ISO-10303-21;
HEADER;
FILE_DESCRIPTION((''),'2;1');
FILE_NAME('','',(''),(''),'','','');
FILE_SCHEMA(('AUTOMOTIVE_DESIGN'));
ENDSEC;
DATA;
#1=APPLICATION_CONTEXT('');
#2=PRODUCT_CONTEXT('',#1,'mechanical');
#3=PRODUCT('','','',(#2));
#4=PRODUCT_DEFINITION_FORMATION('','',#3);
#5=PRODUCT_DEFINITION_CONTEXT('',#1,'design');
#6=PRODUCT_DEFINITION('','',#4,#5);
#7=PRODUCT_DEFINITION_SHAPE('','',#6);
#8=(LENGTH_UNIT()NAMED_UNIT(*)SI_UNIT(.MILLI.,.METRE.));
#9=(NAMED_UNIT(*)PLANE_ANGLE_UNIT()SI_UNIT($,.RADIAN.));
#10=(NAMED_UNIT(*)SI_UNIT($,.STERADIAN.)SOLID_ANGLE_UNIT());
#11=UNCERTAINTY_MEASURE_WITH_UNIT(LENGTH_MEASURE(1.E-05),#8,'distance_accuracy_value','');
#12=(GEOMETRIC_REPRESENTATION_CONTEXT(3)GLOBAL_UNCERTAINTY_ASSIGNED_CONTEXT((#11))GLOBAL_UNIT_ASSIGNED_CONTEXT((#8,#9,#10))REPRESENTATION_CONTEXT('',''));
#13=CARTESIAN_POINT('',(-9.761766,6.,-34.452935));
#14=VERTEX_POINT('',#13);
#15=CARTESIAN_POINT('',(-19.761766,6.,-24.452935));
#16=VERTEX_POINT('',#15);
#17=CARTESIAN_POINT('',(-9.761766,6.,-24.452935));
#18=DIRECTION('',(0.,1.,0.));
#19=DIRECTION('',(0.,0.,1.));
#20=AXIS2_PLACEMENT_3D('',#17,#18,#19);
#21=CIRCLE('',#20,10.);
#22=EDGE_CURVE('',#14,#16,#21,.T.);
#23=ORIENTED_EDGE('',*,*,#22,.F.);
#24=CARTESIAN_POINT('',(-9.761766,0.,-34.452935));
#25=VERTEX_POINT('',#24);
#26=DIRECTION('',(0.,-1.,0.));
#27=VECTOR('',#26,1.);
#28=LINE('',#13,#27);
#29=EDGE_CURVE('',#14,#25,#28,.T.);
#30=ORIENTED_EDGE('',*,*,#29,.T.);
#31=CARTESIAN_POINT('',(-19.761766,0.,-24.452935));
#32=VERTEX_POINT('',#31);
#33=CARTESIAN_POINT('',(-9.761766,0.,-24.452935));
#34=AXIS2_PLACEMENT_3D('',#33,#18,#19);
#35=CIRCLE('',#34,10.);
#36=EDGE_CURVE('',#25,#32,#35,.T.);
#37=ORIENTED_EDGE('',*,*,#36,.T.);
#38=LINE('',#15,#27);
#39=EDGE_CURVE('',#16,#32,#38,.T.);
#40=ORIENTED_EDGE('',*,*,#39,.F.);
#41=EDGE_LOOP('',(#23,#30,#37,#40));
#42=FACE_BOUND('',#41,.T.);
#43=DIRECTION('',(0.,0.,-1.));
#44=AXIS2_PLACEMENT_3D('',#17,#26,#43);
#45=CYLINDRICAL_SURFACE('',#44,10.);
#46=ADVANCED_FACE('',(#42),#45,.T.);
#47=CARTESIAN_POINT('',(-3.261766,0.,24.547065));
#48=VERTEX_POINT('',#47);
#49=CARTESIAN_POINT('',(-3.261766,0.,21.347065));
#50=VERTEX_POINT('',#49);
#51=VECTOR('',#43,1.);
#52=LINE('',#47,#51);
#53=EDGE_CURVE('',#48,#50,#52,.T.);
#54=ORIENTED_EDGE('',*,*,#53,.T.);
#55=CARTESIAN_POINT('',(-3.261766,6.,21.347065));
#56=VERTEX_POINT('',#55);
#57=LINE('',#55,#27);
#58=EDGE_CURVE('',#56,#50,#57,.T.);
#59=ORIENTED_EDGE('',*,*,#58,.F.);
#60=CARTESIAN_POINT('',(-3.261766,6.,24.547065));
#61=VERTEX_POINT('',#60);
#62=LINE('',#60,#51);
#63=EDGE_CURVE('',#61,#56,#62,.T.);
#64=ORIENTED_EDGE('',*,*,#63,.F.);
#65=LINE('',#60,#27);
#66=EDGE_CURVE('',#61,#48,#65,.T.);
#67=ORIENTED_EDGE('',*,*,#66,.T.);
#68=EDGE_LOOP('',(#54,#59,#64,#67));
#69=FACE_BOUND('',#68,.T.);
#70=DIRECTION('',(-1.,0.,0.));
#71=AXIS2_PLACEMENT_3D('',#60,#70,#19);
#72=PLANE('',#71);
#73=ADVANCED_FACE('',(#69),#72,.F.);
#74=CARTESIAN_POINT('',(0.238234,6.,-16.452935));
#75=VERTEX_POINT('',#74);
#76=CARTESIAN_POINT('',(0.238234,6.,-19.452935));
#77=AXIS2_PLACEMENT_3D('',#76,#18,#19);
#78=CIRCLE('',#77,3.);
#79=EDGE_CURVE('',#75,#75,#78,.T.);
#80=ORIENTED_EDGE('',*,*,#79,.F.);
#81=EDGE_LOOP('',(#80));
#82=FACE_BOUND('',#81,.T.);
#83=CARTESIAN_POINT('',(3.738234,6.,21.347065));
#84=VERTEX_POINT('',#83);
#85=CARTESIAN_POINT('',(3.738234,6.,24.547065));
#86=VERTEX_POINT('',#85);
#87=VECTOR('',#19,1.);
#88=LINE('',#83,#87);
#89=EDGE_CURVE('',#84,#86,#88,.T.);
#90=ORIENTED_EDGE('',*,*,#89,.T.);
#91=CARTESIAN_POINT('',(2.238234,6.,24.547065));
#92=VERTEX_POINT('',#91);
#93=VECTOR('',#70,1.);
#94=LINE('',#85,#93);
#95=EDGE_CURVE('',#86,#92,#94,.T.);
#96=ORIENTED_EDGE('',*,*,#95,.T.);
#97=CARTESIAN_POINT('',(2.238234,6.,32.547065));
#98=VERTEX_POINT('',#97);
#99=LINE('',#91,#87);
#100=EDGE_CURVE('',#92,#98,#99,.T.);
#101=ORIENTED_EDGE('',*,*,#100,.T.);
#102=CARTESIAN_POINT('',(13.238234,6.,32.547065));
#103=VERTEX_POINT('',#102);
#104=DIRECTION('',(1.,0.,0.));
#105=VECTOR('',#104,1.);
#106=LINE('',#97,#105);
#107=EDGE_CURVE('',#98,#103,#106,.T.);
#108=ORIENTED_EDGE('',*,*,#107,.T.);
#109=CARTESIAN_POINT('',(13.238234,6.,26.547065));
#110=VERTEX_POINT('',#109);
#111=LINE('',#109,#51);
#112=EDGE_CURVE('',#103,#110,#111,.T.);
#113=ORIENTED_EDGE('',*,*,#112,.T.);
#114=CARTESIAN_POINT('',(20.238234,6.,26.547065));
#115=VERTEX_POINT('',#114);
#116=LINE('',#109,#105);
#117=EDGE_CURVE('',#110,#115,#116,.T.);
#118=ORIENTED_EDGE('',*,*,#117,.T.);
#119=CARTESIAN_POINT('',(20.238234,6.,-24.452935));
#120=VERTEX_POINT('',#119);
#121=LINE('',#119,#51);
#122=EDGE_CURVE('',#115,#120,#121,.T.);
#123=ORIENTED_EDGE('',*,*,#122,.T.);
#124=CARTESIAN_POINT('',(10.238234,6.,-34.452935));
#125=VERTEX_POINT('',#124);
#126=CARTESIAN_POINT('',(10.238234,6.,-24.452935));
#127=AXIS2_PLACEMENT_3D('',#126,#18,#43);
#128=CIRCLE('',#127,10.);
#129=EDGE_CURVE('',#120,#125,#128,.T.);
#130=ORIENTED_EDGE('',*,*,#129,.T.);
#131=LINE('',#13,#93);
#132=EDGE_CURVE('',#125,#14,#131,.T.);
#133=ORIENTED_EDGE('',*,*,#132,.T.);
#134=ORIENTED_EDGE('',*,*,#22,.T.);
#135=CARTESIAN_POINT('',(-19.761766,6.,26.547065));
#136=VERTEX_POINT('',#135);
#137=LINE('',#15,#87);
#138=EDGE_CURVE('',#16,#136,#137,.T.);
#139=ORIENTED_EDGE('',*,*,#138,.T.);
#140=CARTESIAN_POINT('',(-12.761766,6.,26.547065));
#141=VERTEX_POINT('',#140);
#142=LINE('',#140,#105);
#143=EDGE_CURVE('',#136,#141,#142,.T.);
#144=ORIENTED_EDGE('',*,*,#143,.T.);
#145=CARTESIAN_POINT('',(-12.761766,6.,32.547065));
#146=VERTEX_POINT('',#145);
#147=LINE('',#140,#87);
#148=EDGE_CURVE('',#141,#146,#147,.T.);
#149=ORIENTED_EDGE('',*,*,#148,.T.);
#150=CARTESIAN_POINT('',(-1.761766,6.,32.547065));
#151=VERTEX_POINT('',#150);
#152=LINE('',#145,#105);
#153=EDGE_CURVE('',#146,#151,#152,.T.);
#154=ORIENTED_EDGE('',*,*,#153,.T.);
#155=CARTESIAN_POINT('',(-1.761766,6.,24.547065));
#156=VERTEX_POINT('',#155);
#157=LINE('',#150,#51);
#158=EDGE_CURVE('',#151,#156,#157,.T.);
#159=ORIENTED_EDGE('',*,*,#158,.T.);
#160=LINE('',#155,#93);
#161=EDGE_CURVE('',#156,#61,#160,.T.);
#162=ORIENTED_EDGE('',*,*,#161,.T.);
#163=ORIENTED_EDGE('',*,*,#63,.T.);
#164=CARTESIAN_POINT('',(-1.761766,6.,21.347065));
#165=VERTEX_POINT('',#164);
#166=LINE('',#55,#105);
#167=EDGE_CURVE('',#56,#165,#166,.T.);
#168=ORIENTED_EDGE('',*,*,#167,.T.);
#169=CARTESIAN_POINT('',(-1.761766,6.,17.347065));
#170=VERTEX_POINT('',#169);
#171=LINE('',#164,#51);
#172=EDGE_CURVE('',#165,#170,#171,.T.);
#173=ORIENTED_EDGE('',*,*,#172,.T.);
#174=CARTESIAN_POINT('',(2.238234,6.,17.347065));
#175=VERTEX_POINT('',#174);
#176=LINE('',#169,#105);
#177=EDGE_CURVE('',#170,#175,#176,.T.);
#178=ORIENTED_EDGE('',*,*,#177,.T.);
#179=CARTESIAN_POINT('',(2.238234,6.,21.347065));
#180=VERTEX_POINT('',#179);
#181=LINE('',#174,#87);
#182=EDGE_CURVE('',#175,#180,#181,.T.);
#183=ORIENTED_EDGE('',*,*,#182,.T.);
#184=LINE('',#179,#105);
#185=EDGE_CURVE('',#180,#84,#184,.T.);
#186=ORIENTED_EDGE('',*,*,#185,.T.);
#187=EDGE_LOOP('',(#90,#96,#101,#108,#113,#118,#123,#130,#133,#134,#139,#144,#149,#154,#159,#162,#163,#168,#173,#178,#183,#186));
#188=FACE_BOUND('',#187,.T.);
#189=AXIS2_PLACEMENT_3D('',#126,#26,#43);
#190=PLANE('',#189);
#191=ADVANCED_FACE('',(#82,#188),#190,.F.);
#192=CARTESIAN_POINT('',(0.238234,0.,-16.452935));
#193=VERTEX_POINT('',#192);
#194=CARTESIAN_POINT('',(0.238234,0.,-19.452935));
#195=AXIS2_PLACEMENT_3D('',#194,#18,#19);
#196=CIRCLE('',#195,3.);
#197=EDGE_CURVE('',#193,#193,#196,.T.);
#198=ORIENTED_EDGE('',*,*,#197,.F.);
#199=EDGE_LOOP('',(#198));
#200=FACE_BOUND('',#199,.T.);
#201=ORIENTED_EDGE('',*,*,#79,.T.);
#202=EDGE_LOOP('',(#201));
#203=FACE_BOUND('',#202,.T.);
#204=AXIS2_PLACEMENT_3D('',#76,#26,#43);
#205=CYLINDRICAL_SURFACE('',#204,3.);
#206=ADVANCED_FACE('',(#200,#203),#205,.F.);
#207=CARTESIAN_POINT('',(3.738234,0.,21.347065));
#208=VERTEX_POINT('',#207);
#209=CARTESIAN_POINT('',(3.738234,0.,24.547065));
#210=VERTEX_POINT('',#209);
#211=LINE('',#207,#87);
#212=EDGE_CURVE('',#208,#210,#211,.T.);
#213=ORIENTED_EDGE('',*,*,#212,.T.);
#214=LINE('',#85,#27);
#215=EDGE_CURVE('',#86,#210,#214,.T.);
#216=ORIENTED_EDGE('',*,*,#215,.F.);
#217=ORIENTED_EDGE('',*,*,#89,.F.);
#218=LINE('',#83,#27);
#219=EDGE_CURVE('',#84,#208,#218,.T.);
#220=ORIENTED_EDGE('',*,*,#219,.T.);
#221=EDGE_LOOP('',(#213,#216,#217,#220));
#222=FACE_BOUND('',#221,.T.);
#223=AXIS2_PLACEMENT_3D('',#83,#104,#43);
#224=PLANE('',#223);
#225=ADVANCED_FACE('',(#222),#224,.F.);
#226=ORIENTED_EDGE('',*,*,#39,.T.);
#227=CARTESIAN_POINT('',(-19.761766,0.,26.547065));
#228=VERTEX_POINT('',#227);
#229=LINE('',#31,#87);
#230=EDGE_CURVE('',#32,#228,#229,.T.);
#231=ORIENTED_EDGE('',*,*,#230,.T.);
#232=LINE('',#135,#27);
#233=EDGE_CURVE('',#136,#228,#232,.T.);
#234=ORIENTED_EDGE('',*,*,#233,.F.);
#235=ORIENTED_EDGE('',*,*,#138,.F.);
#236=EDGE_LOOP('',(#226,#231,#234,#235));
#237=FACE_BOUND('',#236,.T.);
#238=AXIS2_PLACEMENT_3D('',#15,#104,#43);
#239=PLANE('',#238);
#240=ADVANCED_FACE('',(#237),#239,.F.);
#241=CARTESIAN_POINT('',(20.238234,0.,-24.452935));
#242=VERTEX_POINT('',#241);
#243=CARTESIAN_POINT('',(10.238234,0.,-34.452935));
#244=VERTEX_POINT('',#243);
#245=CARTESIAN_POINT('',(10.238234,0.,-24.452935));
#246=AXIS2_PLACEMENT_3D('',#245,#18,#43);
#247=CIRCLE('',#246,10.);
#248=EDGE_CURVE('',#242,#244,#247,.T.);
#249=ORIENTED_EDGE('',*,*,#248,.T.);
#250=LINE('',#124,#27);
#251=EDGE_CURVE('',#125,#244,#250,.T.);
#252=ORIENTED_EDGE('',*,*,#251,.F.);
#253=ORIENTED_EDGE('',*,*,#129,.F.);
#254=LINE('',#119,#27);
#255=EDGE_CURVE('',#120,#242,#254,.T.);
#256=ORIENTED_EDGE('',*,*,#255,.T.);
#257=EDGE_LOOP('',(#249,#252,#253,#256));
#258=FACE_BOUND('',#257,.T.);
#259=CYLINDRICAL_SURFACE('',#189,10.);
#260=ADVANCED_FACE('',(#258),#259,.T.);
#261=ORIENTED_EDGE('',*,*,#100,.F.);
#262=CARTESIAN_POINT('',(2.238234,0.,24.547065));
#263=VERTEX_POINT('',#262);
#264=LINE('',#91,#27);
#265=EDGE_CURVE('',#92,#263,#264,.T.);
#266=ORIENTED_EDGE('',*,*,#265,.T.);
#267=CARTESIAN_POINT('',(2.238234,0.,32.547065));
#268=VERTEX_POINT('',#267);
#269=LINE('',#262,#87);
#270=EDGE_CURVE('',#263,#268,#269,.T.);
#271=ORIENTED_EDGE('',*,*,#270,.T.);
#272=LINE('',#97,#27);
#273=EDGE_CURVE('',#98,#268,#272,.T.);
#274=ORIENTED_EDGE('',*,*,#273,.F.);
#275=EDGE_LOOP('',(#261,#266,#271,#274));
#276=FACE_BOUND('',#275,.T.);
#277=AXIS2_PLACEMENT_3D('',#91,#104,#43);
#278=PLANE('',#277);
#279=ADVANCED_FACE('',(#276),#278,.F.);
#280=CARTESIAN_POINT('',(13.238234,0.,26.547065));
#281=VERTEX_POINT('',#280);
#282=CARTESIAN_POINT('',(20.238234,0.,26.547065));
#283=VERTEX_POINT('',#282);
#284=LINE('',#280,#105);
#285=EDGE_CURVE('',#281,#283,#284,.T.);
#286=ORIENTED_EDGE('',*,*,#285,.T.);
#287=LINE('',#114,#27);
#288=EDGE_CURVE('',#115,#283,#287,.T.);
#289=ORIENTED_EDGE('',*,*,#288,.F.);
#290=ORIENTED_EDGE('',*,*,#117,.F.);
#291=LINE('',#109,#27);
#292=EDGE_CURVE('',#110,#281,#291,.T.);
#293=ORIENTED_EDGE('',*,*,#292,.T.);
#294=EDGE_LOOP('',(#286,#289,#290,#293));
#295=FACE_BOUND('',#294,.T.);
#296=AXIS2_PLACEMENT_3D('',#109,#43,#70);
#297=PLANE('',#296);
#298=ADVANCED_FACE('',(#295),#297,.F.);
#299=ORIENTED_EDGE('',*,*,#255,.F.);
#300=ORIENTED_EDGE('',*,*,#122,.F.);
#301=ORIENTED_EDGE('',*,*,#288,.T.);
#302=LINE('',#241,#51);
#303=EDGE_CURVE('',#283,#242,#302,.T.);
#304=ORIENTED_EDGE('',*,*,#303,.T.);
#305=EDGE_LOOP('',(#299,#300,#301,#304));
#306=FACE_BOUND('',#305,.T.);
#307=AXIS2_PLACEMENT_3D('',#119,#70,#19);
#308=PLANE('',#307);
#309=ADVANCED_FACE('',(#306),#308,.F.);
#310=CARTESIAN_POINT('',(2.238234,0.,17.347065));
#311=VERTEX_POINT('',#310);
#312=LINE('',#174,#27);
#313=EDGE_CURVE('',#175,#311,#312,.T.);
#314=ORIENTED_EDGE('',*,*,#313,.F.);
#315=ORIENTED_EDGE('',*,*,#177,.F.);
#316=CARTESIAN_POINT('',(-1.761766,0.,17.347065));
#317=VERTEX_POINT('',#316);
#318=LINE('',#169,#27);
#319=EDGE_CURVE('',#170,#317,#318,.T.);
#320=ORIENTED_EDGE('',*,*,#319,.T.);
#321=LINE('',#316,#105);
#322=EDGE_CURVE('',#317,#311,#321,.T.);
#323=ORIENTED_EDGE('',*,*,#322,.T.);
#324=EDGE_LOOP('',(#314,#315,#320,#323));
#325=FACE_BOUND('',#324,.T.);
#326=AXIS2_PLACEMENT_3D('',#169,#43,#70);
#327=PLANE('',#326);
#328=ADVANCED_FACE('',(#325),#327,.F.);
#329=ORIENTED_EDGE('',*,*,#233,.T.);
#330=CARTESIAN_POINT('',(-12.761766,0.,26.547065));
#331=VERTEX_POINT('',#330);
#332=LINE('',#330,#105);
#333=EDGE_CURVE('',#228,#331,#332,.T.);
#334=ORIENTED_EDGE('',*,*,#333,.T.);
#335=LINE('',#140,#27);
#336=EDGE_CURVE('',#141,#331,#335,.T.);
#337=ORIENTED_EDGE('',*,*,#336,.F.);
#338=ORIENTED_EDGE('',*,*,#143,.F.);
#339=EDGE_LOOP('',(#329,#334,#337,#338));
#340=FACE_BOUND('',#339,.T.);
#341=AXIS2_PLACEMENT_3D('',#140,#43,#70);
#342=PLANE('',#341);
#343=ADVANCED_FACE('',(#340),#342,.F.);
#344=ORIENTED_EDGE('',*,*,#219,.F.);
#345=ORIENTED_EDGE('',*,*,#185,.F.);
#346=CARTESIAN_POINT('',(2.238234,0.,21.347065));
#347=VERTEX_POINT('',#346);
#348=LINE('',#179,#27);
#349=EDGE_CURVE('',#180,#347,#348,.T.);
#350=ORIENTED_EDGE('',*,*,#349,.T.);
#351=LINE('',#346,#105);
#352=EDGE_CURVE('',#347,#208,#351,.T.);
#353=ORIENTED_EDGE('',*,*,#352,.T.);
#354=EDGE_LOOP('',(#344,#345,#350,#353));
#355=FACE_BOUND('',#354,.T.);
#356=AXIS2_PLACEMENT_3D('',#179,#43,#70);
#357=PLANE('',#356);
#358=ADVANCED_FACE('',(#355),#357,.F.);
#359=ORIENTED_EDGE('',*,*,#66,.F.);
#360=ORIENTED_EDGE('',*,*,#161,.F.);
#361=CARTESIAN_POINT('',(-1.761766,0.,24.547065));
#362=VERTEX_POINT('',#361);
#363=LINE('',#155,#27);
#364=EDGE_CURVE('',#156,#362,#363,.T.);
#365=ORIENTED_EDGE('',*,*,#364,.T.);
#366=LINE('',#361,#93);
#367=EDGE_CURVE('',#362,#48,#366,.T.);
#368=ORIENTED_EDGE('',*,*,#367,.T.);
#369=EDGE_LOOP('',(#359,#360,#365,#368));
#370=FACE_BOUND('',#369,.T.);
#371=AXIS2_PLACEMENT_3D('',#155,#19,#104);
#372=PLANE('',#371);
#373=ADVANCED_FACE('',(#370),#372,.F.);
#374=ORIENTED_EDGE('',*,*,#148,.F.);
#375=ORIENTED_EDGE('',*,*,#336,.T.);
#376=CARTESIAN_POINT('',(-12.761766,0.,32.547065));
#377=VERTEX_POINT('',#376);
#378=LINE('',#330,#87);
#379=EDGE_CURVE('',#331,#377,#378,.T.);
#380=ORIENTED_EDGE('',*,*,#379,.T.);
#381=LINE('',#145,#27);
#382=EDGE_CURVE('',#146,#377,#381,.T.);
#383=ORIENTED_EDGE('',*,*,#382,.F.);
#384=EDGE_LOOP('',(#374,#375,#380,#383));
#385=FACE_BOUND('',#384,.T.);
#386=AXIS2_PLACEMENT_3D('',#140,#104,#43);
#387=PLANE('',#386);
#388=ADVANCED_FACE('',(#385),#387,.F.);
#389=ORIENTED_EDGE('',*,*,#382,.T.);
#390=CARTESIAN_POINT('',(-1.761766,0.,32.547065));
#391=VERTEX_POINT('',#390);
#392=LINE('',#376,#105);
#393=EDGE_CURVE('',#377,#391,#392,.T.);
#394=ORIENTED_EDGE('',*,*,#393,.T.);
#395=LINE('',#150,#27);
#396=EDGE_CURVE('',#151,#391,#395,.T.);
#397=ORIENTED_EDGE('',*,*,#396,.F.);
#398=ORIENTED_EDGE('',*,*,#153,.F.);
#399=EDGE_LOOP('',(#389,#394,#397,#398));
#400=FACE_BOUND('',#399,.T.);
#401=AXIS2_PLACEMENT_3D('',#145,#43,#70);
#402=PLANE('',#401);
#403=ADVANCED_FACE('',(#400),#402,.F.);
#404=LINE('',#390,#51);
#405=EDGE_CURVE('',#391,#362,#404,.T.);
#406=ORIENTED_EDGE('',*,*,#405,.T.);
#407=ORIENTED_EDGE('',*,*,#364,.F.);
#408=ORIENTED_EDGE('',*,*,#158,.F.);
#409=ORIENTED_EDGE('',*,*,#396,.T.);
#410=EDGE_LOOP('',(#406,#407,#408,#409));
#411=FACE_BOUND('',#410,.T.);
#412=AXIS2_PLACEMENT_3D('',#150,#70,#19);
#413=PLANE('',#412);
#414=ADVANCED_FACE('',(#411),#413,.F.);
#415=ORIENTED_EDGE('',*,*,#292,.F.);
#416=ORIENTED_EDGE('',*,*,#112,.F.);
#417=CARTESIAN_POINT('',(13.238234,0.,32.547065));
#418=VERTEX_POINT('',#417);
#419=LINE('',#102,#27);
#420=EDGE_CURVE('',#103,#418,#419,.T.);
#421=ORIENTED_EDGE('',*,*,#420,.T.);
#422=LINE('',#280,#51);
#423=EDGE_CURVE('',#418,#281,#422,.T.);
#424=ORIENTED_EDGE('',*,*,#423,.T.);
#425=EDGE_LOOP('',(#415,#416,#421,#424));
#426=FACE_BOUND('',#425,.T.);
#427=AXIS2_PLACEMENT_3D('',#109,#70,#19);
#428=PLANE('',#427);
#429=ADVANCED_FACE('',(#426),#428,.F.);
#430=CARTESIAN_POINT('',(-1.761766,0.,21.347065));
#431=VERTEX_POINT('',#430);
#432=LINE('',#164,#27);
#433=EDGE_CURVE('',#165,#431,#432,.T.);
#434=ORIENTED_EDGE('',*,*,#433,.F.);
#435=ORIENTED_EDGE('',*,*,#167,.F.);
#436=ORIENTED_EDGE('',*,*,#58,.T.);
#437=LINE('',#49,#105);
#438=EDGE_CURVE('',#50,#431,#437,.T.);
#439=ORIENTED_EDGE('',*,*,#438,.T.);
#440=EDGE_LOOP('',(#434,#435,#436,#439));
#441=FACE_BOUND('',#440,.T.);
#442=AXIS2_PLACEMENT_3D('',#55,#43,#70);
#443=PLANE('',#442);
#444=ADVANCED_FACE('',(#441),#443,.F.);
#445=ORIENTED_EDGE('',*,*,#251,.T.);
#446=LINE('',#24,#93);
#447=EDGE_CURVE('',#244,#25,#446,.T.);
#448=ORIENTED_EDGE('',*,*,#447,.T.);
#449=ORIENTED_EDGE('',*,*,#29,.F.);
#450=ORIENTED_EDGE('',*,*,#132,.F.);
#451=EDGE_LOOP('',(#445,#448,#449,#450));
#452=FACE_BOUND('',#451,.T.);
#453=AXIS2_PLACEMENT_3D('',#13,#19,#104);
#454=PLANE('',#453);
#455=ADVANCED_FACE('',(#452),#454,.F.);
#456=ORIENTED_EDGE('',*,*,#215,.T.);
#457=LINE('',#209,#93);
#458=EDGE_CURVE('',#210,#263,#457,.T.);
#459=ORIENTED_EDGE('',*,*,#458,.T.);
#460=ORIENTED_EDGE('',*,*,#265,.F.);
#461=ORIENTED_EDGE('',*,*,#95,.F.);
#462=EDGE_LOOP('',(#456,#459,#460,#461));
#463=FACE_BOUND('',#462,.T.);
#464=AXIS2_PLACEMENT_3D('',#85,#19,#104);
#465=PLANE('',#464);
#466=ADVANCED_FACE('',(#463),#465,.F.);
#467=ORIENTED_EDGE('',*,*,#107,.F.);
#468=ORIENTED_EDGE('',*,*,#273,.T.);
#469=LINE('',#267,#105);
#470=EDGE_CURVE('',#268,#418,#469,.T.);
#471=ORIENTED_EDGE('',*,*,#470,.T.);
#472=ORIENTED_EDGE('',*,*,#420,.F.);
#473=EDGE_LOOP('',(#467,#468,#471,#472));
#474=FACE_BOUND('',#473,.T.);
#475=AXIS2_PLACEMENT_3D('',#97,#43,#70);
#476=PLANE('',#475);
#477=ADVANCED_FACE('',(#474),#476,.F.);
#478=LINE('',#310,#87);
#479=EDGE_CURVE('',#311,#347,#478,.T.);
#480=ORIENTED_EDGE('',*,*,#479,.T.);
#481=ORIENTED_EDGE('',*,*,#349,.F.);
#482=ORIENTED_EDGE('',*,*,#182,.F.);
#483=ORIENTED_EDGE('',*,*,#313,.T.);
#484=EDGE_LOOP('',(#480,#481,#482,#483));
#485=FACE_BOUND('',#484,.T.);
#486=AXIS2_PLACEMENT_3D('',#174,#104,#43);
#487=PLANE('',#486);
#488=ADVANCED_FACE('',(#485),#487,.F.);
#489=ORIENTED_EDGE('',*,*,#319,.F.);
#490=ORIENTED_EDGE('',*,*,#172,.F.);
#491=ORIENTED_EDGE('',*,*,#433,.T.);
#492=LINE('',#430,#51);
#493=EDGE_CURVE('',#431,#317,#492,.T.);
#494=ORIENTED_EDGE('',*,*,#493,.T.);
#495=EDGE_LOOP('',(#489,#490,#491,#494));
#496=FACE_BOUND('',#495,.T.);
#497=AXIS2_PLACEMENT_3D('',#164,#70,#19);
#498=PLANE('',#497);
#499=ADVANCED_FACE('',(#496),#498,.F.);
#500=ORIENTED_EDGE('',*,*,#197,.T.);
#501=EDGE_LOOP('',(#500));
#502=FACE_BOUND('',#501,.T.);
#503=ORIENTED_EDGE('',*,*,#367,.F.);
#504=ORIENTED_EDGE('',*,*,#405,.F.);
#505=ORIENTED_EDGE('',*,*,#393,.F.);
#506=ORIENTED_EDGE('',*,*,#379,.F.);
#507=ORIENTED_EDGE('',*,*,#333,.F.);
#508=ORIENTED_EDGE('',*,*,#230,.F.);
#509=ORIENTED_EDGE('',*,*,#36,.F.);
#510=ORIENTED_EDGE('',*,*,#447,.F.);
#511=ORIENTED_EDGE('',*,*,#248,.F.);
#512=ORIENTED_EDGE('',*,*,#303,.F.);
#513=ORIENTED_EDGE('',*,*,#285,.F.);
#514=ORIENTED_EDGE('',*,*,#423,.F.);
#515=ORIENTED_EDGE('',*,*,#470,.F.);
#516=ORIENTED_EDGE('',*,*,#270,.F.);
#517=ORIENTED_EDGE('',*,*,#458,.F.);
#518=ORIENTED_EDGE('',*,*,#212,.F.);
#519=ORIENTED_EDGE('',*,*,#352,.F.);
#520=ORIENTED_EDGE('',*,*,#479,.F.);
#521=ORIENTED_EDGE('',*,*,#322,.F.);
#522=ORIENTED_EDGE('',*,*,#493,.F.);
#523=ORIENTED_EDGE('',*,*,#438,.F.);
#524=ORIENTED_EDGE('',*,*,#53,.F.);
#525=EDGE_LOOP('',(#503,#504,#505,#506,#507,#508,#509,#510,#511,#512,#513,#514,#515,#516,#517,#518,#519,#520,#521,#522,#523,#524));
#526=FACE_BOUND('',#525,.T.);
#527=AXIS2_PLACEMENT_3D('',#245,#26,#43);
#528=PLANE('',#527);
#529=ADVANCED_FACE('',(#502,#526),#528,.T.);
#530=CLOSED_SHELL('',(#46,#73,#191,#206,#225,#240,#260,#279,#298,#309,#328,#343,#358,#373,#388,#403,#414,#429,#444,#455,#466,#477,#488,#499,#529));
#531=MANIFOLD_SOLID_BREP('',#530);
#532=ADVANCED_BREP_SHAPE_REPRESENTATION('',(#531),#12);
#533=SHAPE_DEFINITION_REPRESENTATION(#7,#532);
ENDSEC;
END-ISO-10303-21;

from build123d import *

# Parameters (mm, degrees)
SKETCH1_R           = 3
BOSS_EXTRUDE1_DEPTH = 6


with BuildPart() as part:
    # Sketch1 → Boss-Extrude1 (new body)
    with BuildSketch(Plane(origin=(0, 0, 0), x_dir=(1, 0, 0), z_dir=(0, 1, 0))):
        with BuildLine():
            Line((-9.761766306, 34.452934774), (10.238233694, 34.452934774))
            ThreePointArc((10.238233694, 34.452934774), (17.309301505, 31.524002586), (20.238233694, 24.452934774))
            Line((20.238233694, 24.452934774), (20.238233694, -26.547065226))
            Line((20.238233694, -26.547065226), (13.238233694, -26.547065226))
            Line((13.238233694, -26.547065226), (13.238233694, -32.547065226))
            Line((13.238233694, -32.547065226), (2.238233694, -32.547065226))
            Line((2.238233694, -32.547065226), (2.238233694, -24.547065226))
            Line((2.238233694, -24.547065226), (3.738233694, -24.547065226))
            Line((3.738233694, -24.547065226), (3.738233694, -21.347065226))
            Line((3.738233694, -21.347065226), (2.238233694, -21.347065226))
            Line((2.238233694, -21.347065226), (2.238233694, -17.347065226))
            Line((2.238233694, -17.347065226), (-1.761766306, -17.347065226))
            Line((-1.761766306, -17.347065226), (-1.761766306, -21.347065226))
            Line((-1.761766306, -21.347065226), (-3.261766306, -21.347065226))
            Line((-3.261766306, -21.347065226), (-3.261766306, -24.547065226))
            Line((-3.261766306, -24.547065226), (-1.761766306, -24.547065226))
            Line((-1.761766306, -24.547065226), (-1.761766306, -32.547065226))
            Line((-1.761766306, -32.547065226), (-12.761766306, -32.547065226))
            Line((-12.761766306, -32.547065226), (-12.761766306, -26.547065226))
            Line((-12.761766306, -26.547065226), (-19.761766306, -26.547065226))
            Line((-19.761766306, -26.547065226), (-19.761766306, 24.452934774))
            ThreePointArc((-19.761766306, 24.452934774), (-16.832834118, 31.524002586), (-9.761766306, 34.452934774))
        make_face()
        with Locations((0.238233694, 19.452934774)):
            Circle(SKETCH1_R, mode=Mode.SUBTRACT)
    extrude(amount=BOSS_EXTRUDE1_DEPTH)


solid = part.part
